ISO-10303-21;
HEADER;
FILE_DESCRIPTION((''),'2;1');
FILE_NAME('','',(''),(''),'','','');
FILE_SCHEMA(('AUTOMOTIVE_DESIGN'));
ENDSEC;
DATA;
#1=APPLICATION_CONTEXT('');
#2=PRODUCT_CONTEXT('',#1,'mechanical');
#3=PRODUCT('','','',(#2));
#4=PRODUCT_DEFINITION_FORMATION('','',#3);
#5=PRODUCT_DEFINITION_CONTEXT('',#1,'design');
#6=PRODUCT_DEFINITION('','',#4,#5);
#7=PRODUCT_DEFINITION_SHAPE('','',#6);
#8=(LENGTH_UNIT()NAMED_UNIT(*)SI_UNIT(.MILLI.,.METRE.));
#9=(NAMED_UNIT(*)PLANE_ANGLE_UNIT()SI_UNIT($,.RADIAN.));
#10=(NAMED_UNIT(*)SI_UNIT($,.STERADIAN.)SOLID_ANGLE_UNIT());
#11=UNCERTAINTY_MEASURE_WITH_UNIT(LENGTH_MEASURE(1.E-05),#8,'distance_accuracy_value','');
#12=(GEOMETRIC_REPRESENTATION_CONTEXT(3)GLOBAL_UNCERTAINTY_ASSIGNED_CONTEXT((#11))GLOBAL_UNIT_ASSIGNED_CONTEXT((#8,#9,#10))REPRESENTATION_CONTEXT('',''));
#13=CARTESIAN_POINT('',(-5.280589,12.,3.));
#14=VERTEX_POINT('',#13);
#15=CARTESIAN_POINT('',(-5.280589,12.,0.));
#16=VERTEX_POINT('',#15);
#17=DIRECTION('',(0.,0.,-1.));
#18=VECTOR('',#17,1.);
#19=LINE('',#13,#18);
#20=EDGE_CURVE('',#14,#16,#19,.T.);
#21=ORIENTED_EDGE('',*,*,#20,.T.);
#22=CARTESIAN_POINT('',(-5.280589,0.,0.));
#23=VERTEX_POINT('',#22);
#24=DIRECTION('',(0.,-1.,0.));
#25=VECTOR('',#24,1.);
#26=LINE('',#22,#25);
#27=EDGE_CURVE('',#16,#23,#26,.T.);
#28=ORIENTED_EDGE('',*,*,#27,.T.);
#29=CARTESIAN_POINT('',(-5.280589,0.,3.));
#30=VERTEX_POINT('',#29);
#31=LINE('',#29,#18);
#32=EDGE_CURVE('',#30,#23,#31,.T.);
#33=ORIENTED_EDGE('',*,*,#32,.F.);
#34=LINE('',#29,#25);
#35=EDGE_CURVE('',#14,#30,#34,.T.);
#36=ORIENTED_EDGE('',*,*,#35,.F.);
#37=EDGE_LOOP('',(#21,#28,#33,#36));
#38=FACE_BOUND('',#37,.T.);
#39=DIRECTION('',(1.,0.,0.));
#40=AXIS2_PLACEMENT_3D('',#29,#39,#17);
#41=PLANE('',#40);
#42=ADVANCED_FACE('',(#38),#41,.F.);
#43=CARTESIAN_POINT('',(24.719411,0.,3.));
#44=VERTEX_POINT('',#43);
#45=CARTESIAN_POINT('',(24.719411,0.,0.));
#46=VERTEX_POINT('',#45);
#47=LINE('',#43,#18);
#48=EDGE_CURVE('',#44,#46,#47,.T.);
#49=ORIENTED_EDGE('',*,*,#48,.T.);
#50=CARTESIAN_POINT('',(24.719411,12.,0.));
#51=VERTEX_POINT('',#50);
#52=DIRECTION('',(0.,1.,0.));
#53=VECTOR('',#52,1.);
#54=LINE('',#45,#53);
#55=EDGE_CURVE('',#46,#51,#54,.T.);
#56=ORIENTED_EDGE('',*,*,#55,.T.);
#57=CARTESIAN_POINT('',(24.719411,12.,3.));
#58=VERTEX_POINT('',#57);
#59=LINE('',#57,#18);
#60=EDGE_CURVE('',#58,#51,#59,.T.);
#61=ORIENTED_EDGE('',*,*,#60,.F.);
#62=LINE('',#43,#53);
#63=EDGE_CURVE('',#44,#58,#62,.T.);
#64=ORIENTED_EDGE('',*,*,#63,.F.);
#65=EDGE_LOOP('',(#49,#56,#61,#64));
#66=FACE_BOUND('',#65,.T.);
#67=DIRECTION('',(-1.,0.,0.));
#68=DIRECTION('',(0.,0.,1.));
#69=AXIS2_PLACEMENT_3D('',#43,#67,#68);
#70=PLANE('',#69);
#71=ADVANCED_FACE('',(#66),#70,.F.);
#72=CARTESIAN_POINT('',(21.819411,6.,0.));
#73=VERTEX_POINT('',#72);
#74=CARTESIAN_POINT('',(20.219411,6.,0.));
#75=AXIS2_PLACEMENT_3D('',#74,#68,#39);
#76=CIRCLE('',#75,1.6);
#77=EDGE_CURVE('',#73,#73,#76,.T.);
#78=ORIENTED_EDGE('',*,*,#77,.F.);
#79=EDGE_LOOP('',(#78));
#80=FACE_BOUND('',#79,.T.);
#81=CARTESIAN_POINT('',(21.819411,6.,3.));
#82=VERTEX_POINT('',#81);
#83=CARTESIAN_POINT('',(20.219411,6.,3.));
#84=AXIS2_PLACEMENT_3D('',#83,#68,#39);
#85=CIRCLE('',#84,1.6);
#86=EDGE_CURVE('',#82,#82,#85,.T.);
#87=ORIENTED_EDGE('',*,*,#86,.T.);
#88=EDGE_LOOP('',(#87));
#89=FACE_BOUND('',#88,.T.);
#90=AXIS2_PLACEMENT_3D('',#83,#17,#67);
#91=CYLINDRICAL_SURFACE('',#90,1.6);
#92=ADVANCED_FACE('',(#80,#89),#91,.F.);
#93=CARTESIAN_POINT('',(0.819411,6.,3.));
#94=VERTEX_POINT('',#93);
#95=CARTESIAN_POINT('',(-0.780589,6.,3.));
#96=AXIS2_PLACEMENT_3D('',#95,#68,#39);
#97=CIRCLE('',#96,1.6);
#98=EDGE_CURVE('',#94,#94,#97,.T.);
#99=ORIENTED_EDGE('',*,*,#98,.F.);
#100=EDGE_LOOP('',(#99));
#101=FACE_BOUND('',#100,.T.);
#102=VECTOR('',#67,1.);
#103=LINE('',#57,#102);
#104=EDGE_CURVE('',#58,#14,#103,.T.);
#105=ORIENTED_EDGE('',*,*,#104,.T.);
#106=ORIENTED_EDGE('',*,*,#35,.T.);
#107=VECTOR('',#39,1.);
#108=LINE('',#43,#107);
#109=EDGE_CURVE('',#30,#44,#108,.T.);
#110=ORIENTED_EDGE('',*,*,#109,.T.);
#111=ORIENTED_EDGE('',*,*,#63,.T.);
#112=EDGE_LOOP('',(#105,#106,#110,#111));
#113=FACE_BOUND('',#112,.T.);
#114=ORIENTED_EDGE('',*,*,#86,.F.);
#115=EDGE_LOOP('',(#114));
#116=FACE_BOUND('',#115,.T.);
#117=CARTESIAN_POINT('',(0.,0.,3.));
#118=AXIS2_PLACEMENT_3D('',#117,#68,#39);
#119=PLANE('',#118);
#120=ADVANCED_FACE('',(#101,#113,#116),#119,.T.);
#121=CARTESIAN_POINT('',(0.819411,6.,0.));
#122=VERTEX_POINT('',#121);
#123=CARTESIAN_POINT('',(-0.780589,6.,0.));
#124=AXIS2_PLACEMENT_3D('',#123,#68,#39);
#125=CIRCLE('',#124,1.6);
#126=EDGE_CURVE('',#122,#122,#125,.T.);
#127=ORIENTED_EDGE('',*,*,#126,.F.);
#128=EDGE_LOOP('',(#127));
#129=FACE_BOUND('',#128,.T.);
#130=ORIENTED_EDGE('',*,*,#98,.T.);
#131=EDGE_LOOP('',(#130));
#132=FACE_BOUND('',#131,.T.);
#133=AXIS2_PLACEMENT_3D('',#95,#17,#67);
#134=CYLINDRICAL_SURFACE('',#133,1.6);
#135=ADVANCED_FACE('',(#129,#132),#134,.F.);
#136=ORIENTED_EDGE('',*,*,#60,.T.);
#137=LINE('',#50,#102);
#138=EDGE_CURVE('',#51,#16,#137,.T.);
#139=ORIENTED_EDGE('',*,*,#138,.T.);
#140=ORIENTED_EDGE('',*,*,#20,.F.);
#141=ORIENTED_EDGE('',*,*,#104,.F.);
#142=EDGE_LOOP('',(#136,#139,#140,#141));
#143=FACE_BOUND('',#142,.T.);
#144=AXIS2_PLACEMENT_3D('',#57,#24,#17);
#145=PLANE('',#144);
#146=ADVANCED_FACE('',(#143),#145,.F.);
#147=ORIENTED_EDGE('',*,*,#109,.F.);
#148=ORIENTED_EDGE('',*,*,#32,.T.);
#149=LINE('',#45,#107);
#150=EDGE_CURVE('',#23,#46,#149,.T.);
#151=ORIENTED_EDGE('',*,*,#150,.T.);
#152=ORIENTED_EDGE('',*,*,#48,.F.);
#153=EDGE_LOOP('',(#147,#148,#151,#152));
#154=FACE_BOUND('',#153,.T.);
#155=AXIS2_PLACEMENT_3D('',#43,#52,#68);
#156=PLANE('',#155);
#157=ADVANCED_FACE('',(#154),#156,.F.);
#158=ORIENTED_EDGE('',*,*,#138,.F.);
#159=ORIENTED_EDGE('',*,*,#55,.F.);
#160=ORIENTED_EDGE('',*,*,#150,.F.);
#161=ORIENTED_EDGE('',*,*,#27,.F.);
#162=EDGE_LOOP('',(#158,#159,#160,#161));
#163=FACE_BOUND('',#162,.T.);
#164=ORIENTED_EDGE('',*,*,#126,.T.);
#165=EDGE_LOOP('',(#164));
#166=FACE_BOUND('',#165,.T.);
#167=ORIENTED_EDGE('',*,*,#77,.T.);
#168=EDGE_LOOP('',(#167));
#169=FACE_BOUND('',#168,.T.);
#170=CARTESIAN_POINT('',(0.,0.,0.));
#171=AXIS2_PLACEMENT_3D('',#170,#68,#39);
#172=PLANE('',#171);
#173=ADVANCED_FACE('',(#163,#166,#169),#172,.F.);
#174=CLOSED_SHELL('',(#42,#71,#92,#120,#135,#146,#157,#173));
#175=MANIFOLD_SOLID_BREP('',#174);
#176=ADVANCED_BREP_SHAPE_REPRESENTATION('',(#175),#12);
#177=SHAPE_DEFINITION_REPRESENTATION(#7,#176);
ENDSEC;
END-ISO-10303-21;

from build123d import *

# Parameters (mm, degrees)
SKETCH1_W           = 30
SKETCH1_H           = 12
SKETCH1_R           = 1.6
BOSS_EXTRUDE1_DEPTH = 3


with BuildPart() as part:
    # Sketch1 → Boss-Extrude1 (new body)
    with BuildSketch(Plane.XY):
        with Locations((9.719411157, 6)):
            Rectangle(SKETCH1_W, SKETCH1_H)
        with Locations((-0.780588843, 6)):
            Circle(SKETCH1_R, mode=Mode.SUBTRACT)
        with Locations((20.219411157, 6)):
            Circle(SKETCH1_R, mode=Mode.SUBTRACT)
    extrude(amount=BOSS_EXTRUDE1_DEPTH)


solid = part.part
